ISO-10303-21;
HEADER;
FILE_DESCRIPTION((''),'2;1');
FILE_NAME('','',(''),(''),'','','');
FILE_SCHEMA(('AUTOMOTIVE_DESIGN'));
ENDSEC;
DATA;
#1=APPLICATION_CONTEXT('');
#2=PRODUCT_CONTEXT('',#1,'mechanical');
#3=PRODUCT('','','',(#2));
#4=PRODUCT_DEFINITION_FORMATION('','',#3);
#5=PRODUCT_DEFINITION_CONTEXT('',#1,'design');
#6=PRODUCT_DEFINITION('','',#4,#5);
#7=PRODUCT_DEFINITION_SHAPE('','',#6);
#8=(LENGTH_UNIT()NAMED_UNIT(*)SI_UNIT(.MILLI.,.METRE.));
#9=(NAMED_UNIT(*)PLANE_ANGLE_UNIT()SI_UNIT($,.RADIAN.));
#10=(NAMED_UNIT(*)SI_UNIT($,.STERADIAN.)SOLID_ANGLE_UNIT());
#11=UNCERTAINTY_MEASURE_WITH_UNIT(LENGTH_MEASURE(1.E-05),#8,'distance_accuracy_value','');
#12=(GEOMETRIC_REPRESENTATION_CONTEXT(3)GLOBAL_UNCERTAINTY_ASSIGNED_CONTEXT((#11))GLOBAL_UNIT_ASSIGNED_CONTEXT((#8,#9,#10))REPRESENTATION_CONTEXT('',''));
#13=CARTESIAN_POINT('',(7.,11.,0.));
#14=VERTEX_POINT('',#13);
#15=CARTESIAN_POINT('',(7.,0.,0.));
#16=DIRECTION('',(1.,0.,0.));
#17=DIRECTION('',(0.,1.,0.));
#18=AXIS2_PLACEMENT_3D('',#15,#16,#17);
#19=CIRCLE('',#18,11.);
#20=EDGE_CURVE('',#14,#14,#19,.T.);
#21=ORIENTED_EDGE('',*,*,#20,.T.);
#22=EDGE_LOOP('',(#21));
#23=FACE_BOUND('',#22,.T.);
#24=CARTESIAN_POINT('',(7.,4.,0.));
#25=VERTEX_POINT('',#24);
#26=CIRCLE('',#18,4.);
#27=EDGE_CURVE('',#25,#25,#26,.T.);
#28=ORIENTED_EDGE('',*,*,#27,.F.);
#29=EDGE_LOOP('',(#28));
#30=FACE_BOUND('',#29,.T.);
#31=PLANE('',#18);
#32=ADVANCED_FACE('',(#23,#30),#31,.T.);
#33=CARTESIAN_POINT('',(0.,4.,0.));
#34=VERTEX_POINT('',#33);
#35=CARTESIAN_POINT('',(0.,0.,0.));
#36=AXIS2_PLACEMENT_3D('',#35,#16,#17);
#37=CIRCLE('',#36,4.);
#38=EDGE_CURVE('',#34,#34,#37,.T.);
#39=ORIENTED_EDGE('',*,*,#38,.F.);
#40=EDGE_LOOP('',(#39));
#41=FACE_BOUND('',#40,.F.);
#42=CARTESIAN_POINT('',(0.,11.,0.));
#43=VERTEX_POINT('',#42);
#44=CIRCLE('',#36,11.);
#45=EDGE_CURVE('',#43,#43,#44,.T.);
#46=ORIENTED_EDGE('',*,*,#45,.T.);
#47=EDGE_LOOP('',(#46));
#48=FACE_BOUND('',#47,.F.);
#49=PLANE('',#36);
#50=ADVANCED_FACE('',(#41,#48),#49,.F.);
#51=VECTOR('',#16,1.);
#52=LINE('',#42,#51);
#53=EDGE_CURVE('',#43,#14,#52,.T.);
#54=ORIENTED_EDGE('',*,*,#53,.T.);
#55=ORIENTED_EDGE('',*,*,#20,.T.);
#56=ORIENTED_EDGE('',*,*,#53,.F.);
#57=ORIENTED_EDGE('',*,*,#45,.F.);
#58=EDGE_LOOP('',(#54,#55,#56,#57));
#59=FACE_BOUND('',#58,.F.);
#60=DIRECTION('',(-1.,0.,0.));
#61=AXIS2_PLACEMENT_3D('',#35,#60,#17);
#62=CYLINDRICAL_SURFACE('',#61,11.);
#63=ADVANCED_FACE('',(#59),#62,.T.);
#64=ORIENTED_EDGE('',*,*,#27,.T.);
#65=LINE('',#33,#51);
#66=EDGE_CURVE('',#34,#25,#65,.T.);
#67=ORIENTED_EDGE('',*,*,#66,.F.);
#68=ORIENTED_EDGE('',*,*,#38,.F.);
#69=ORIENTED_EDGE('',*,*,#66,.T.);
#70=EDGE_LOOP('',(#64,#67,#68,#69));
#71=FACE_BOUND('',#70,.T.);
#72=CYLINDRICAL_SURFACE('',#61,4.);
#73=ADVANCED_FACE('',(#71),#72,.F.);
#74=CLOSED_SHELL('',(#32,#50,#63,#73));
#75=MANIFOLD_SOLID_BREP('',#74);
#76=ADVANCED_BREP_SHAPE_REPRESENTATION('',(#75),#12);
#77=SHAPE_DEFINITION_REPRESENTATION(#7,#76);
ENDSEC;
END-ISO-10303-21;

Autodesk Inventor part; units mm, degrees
ref_plane "YZ Plane" through (0, 0, 0) normal (1, 0, 0) x (0, 1, 0)
ref_plane "XZ Plane" through (0, 0, 0) normal (0, 1, 0) x (-1, 0, 0)
ref_plane "XY Plane" through (0, 0, 0) normal (0, 0, 1) x (1, 0, 0)
sketch "Sketch1" plane through (0, 0, 0) normal (1, 0, 0) x (0, 1, 0)
  circle A0 centre (0, 0) radius 11
  circle A1 centre (0, 0) radius 4
  dimension "d0" = 22
  dimension "d1" = 8
extrude "Extrusion1" add sketch "Sketch1" along normal blind 7
properties part number "22 OD 8ID 7mm Bearing"
